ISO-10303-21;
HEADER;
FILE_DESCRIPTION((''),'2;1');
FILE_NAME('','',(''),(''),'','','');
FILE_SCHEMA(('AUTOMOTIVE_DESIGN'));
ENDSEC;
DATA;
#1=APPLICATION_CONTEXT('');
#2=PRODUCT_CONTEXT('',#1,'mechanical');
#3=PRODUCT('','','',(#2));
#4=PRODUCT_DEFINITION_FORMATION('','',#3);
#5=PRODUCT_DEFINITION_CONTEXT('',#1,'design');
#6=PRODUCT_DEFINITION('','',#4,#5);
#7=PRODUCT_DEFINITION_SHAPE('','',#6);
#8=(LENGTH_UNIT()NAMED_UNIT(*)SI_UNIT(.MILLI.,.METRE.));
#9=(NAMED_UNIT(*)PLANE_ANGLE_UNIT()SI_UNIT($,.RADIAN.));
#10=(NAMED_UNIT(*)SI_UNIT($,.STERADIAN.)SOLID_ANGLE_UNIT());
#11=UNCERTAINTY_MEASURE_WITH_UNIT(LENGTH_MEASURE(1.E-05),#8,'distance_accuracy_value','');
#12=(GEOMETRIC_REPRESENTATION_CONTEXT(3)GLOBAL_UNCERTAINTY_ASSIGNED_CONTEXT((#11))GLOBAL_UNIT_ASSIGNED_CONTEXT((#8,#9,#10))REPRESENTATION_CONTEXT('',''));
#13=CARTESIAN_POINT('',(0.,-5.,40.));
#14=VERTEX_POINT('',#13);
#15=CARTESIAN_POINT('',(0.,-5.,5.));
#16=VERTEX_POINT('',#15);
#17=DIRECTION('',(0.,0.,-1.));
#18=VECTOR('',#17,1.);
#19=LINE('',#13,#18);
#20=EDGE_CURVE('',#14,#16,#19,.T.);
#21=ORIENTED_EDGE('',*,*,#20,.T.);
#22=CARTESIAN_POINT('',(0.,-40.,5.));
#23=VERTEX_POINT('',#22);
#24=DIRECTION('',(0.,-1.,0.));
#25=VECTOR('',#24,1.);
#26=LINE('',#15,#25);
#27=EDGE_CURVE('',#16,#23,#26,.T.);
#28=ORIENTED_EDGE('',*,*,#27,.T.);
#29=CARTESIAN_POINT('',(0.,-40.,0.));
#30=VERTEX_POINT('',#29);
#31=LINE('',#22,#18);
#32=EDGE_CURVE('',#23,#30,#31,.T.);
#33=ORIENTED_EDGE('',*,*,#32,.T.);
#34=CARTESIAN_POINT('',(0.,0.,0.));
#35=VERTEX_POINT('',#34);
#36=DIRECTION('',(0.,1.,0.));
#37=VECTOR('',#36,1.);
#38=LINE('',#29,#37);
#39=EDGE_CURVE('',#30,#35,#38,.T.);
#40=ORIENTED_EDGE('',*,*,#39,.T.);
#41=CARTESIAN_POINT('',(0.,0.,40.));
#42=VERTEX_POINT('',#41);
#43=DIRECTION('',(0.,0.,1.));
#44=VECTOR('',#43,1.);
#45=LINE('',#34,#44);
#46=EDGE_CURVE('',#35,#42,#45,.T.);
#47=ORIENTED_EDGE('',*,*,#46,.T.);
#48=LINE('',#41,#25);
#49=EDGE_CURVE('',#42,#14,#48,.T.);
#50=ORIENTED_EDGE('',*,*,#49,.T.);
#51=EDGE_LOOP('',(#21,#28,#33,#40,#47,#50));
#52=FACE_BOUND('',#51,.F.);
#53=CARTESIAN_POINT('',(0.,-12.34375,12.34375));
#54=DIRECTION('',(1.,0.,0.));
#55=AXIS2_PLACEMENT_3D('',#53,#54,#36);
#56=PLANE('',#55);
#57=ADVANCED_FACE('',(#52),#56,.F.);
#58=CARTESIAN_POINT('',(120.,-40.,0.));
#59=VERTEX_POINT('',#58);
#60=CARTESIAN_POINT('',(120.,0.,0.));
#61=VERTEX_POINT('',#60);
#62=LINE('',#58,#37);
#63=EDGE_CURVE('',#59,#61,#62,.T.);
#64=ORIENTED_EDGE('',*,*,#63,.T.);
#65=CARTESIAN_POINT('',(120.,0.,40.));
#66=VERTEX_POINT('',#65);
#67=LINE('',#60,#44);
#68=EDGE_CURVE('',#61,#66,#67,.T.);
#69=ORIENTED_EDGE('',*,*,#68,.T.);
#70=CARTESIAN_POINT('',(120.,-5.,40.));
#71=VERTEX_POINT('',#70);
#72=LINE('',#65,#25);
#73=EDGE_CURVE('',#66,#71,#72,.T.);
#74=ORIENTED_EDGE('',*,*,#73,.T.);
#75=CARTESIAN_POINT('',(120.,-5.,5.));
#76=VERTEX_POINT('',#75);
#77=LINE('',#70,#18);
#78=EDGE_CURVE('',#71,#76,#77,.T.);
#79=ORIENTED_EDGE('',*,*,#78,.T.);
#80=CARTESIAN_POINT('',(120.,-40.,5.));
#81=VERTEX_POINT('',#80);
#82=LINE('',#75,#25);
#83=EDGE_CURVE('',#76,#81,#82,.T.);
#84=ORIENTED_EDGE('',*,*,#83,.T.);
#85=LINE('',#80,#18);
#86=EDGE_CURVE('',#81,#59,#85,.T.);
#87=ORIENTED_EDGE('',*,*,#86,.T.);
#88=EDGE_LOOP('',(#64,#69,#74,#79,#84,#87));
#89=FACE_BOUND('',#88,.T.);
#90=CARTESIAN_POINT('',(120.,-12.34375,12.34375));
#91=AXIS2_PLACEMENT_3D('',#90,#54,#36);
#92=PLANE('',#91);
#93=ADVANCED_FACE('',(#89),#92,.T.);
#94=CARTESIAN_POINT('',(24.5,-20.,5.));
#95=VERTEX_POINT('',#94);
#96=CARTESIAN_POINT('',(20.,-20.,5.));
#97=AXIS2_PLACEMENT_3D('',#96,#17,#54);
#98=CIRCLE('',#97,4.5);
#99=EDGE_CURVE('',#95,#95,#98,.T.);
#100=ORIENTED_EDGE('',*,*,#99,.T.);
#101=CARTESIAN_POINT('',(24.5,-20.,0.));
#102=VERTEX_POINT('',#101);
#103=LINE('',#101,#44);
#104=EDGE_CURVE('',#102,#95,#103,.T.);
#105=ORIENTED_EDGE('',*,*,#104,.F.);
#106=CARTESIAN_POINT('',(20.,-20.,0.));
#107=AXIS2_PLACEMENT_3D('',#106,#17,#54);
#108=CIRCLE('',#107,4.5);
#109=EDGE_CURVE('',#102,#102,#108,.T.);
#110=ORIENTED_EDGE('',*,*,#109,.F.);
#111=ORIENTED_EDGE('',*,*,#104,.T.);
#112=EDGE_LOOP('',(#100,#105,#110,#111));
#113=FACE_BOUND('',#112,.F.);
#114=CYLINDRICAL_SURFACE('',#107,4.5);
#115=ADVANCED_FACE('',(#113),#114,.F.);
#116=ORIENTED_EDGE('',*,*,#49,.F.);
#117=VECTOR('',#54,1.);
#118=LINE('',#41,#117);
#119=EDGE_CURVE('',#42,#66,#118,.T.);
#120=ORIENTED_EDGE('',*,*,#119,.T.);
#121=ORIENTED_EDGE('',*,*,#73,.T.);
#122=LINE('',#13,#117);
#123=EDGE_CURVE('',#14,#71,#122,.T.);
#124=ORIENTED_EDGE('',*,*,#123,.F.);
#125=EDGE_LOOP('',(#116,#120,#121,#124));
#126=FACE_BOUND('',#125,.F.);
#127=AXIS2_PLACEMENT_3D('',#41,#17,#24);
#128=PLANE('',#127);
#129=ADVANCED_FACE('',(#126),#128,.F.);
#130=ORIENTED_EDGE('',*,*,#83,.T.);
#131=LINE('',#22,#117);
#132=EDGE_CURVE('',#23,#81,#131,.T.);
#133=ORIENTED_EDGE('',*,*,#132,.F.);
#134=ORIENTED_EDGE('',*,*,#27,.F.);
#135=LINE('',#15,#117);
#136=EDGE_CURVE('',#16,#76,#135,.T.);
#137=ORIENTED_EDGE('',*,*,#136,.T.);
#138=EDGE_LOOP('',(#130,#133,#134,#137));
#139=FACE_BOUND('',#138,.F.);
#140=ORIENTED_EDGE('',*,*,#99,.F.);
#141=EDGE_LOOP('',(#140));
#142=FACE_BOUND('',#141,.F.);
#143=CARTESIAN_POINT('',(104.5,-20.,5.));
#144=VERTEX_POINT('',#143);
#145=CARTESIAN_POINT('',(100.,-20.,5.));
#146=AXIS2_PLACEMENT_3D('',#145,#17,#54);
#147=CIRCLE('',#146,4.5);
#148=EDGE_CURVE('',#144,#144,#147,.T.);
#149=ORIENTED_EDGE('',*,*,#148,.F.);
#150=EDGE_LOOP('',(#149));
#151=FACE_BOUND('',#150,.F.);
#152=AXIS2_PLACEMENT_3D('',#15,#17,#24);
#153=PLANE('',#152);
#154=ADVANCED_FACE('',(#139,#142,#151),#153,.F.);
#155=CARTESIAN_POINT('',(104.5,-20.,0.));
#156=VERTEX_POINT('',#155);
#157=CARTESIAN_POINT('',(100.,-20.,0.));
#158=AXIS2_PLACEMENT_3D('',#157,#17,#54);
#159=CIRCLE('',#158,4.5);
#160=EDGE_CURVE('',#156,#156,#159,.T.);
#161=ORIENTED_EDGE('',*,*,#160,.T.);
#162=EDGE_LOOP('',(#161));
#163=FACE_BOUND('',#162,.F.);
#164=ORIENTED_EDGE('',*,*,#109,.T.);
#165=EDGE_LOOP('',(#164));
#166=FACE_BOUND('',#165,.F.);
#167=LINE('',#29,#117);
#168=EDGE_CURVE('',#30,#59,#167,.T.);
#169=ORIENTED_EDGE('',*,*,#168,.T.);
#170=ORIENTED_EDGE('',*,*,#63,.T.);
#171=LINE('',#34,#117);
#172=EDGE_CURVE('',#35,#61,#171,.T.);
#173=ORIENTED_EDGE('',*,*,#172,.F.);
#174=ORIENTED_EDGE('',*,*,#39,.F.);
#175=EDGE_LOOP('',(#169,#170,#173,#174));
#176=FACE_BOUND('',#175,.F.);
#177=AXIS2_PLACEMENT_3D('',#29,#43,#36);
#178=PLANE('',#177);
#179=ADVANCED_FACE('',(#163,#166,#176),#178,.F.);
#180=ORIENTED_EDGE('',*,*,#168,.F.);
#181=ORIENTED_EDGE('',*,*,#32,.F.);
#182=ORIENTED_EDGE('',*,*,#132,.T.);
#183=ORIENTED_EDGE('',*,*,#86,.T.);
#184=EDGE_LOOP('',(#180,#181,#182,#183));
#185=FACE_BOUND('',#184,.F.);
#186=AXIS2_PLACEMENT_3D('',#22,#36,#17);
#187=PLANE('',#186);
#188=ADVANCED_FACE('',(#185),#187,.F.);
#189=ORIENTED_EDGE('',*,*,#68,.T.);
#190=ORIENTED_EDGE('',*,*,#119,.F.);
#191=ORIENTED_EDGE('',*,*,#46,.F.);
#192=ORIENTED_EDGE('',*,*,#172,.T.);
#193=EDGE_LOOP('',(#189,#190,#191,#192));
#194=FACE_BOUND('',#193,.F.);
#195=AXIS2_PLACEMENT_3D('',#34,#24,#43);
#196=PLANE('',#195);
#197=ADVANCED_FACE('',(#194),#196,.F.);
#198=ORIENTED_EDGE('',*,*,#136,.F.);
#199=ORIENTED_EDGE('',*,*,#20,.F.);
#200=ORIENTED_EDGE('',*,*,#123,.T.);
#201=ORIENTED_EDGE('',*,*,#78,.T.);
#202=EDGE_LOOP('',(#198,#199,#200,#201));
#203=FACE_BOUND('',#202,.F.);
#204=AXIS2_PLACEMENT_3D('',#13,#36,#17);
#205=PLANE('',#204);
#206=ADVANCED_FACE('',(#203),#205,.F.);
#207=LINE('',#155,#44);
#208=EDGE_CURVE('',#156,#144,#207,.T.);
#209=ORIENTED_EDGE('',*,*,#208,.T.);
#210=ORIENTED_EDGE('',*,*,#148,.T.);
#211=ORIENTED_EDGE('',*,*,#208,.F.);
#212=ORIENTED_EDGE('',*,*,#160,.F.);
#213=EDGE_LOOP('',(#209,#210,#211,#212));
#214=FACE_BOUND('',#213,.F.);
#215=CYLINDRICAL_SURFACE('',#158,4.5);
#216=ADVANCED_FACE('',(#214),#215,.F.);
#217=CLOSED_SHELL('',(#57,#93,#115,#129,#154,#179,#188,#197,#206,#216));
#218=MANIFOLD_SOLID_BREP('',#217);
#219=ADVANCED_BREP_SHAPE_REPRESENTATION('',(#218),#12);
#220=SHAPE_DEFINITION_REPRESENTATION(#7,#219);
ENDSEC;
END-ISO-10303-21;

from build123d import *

# Parameters (mm, degrees)
F1_DEPTH = 120
F2_R     = 4.5
F3_DEPTH = 25


with BuildPart() as f1:
    # F0 (on Right) → F1 (new body)
    with BuildSketch(Plane.YZ):
        Polygon((-40, 0), (0, 0), (0, 40), (-5, 40), (-5, 5), (-40, 5), align=None)
    extrude(amount=F1_DEPTH)

    # F2 (on face) → F3 (cut)
    with BuildSketch(Plane(origin=(0, 0, 0), x_dir=(1, 0, 0), z_dir=(0, 0, -1))):
        with Locations((20, 20)):
            Circle(F2_R)
        with Locations((100, 20)):
            Circle(F2_R)
    extrude(amount=-F3_DEPTH, mode=Mode.SUBTRACT)


solid = f1.part
